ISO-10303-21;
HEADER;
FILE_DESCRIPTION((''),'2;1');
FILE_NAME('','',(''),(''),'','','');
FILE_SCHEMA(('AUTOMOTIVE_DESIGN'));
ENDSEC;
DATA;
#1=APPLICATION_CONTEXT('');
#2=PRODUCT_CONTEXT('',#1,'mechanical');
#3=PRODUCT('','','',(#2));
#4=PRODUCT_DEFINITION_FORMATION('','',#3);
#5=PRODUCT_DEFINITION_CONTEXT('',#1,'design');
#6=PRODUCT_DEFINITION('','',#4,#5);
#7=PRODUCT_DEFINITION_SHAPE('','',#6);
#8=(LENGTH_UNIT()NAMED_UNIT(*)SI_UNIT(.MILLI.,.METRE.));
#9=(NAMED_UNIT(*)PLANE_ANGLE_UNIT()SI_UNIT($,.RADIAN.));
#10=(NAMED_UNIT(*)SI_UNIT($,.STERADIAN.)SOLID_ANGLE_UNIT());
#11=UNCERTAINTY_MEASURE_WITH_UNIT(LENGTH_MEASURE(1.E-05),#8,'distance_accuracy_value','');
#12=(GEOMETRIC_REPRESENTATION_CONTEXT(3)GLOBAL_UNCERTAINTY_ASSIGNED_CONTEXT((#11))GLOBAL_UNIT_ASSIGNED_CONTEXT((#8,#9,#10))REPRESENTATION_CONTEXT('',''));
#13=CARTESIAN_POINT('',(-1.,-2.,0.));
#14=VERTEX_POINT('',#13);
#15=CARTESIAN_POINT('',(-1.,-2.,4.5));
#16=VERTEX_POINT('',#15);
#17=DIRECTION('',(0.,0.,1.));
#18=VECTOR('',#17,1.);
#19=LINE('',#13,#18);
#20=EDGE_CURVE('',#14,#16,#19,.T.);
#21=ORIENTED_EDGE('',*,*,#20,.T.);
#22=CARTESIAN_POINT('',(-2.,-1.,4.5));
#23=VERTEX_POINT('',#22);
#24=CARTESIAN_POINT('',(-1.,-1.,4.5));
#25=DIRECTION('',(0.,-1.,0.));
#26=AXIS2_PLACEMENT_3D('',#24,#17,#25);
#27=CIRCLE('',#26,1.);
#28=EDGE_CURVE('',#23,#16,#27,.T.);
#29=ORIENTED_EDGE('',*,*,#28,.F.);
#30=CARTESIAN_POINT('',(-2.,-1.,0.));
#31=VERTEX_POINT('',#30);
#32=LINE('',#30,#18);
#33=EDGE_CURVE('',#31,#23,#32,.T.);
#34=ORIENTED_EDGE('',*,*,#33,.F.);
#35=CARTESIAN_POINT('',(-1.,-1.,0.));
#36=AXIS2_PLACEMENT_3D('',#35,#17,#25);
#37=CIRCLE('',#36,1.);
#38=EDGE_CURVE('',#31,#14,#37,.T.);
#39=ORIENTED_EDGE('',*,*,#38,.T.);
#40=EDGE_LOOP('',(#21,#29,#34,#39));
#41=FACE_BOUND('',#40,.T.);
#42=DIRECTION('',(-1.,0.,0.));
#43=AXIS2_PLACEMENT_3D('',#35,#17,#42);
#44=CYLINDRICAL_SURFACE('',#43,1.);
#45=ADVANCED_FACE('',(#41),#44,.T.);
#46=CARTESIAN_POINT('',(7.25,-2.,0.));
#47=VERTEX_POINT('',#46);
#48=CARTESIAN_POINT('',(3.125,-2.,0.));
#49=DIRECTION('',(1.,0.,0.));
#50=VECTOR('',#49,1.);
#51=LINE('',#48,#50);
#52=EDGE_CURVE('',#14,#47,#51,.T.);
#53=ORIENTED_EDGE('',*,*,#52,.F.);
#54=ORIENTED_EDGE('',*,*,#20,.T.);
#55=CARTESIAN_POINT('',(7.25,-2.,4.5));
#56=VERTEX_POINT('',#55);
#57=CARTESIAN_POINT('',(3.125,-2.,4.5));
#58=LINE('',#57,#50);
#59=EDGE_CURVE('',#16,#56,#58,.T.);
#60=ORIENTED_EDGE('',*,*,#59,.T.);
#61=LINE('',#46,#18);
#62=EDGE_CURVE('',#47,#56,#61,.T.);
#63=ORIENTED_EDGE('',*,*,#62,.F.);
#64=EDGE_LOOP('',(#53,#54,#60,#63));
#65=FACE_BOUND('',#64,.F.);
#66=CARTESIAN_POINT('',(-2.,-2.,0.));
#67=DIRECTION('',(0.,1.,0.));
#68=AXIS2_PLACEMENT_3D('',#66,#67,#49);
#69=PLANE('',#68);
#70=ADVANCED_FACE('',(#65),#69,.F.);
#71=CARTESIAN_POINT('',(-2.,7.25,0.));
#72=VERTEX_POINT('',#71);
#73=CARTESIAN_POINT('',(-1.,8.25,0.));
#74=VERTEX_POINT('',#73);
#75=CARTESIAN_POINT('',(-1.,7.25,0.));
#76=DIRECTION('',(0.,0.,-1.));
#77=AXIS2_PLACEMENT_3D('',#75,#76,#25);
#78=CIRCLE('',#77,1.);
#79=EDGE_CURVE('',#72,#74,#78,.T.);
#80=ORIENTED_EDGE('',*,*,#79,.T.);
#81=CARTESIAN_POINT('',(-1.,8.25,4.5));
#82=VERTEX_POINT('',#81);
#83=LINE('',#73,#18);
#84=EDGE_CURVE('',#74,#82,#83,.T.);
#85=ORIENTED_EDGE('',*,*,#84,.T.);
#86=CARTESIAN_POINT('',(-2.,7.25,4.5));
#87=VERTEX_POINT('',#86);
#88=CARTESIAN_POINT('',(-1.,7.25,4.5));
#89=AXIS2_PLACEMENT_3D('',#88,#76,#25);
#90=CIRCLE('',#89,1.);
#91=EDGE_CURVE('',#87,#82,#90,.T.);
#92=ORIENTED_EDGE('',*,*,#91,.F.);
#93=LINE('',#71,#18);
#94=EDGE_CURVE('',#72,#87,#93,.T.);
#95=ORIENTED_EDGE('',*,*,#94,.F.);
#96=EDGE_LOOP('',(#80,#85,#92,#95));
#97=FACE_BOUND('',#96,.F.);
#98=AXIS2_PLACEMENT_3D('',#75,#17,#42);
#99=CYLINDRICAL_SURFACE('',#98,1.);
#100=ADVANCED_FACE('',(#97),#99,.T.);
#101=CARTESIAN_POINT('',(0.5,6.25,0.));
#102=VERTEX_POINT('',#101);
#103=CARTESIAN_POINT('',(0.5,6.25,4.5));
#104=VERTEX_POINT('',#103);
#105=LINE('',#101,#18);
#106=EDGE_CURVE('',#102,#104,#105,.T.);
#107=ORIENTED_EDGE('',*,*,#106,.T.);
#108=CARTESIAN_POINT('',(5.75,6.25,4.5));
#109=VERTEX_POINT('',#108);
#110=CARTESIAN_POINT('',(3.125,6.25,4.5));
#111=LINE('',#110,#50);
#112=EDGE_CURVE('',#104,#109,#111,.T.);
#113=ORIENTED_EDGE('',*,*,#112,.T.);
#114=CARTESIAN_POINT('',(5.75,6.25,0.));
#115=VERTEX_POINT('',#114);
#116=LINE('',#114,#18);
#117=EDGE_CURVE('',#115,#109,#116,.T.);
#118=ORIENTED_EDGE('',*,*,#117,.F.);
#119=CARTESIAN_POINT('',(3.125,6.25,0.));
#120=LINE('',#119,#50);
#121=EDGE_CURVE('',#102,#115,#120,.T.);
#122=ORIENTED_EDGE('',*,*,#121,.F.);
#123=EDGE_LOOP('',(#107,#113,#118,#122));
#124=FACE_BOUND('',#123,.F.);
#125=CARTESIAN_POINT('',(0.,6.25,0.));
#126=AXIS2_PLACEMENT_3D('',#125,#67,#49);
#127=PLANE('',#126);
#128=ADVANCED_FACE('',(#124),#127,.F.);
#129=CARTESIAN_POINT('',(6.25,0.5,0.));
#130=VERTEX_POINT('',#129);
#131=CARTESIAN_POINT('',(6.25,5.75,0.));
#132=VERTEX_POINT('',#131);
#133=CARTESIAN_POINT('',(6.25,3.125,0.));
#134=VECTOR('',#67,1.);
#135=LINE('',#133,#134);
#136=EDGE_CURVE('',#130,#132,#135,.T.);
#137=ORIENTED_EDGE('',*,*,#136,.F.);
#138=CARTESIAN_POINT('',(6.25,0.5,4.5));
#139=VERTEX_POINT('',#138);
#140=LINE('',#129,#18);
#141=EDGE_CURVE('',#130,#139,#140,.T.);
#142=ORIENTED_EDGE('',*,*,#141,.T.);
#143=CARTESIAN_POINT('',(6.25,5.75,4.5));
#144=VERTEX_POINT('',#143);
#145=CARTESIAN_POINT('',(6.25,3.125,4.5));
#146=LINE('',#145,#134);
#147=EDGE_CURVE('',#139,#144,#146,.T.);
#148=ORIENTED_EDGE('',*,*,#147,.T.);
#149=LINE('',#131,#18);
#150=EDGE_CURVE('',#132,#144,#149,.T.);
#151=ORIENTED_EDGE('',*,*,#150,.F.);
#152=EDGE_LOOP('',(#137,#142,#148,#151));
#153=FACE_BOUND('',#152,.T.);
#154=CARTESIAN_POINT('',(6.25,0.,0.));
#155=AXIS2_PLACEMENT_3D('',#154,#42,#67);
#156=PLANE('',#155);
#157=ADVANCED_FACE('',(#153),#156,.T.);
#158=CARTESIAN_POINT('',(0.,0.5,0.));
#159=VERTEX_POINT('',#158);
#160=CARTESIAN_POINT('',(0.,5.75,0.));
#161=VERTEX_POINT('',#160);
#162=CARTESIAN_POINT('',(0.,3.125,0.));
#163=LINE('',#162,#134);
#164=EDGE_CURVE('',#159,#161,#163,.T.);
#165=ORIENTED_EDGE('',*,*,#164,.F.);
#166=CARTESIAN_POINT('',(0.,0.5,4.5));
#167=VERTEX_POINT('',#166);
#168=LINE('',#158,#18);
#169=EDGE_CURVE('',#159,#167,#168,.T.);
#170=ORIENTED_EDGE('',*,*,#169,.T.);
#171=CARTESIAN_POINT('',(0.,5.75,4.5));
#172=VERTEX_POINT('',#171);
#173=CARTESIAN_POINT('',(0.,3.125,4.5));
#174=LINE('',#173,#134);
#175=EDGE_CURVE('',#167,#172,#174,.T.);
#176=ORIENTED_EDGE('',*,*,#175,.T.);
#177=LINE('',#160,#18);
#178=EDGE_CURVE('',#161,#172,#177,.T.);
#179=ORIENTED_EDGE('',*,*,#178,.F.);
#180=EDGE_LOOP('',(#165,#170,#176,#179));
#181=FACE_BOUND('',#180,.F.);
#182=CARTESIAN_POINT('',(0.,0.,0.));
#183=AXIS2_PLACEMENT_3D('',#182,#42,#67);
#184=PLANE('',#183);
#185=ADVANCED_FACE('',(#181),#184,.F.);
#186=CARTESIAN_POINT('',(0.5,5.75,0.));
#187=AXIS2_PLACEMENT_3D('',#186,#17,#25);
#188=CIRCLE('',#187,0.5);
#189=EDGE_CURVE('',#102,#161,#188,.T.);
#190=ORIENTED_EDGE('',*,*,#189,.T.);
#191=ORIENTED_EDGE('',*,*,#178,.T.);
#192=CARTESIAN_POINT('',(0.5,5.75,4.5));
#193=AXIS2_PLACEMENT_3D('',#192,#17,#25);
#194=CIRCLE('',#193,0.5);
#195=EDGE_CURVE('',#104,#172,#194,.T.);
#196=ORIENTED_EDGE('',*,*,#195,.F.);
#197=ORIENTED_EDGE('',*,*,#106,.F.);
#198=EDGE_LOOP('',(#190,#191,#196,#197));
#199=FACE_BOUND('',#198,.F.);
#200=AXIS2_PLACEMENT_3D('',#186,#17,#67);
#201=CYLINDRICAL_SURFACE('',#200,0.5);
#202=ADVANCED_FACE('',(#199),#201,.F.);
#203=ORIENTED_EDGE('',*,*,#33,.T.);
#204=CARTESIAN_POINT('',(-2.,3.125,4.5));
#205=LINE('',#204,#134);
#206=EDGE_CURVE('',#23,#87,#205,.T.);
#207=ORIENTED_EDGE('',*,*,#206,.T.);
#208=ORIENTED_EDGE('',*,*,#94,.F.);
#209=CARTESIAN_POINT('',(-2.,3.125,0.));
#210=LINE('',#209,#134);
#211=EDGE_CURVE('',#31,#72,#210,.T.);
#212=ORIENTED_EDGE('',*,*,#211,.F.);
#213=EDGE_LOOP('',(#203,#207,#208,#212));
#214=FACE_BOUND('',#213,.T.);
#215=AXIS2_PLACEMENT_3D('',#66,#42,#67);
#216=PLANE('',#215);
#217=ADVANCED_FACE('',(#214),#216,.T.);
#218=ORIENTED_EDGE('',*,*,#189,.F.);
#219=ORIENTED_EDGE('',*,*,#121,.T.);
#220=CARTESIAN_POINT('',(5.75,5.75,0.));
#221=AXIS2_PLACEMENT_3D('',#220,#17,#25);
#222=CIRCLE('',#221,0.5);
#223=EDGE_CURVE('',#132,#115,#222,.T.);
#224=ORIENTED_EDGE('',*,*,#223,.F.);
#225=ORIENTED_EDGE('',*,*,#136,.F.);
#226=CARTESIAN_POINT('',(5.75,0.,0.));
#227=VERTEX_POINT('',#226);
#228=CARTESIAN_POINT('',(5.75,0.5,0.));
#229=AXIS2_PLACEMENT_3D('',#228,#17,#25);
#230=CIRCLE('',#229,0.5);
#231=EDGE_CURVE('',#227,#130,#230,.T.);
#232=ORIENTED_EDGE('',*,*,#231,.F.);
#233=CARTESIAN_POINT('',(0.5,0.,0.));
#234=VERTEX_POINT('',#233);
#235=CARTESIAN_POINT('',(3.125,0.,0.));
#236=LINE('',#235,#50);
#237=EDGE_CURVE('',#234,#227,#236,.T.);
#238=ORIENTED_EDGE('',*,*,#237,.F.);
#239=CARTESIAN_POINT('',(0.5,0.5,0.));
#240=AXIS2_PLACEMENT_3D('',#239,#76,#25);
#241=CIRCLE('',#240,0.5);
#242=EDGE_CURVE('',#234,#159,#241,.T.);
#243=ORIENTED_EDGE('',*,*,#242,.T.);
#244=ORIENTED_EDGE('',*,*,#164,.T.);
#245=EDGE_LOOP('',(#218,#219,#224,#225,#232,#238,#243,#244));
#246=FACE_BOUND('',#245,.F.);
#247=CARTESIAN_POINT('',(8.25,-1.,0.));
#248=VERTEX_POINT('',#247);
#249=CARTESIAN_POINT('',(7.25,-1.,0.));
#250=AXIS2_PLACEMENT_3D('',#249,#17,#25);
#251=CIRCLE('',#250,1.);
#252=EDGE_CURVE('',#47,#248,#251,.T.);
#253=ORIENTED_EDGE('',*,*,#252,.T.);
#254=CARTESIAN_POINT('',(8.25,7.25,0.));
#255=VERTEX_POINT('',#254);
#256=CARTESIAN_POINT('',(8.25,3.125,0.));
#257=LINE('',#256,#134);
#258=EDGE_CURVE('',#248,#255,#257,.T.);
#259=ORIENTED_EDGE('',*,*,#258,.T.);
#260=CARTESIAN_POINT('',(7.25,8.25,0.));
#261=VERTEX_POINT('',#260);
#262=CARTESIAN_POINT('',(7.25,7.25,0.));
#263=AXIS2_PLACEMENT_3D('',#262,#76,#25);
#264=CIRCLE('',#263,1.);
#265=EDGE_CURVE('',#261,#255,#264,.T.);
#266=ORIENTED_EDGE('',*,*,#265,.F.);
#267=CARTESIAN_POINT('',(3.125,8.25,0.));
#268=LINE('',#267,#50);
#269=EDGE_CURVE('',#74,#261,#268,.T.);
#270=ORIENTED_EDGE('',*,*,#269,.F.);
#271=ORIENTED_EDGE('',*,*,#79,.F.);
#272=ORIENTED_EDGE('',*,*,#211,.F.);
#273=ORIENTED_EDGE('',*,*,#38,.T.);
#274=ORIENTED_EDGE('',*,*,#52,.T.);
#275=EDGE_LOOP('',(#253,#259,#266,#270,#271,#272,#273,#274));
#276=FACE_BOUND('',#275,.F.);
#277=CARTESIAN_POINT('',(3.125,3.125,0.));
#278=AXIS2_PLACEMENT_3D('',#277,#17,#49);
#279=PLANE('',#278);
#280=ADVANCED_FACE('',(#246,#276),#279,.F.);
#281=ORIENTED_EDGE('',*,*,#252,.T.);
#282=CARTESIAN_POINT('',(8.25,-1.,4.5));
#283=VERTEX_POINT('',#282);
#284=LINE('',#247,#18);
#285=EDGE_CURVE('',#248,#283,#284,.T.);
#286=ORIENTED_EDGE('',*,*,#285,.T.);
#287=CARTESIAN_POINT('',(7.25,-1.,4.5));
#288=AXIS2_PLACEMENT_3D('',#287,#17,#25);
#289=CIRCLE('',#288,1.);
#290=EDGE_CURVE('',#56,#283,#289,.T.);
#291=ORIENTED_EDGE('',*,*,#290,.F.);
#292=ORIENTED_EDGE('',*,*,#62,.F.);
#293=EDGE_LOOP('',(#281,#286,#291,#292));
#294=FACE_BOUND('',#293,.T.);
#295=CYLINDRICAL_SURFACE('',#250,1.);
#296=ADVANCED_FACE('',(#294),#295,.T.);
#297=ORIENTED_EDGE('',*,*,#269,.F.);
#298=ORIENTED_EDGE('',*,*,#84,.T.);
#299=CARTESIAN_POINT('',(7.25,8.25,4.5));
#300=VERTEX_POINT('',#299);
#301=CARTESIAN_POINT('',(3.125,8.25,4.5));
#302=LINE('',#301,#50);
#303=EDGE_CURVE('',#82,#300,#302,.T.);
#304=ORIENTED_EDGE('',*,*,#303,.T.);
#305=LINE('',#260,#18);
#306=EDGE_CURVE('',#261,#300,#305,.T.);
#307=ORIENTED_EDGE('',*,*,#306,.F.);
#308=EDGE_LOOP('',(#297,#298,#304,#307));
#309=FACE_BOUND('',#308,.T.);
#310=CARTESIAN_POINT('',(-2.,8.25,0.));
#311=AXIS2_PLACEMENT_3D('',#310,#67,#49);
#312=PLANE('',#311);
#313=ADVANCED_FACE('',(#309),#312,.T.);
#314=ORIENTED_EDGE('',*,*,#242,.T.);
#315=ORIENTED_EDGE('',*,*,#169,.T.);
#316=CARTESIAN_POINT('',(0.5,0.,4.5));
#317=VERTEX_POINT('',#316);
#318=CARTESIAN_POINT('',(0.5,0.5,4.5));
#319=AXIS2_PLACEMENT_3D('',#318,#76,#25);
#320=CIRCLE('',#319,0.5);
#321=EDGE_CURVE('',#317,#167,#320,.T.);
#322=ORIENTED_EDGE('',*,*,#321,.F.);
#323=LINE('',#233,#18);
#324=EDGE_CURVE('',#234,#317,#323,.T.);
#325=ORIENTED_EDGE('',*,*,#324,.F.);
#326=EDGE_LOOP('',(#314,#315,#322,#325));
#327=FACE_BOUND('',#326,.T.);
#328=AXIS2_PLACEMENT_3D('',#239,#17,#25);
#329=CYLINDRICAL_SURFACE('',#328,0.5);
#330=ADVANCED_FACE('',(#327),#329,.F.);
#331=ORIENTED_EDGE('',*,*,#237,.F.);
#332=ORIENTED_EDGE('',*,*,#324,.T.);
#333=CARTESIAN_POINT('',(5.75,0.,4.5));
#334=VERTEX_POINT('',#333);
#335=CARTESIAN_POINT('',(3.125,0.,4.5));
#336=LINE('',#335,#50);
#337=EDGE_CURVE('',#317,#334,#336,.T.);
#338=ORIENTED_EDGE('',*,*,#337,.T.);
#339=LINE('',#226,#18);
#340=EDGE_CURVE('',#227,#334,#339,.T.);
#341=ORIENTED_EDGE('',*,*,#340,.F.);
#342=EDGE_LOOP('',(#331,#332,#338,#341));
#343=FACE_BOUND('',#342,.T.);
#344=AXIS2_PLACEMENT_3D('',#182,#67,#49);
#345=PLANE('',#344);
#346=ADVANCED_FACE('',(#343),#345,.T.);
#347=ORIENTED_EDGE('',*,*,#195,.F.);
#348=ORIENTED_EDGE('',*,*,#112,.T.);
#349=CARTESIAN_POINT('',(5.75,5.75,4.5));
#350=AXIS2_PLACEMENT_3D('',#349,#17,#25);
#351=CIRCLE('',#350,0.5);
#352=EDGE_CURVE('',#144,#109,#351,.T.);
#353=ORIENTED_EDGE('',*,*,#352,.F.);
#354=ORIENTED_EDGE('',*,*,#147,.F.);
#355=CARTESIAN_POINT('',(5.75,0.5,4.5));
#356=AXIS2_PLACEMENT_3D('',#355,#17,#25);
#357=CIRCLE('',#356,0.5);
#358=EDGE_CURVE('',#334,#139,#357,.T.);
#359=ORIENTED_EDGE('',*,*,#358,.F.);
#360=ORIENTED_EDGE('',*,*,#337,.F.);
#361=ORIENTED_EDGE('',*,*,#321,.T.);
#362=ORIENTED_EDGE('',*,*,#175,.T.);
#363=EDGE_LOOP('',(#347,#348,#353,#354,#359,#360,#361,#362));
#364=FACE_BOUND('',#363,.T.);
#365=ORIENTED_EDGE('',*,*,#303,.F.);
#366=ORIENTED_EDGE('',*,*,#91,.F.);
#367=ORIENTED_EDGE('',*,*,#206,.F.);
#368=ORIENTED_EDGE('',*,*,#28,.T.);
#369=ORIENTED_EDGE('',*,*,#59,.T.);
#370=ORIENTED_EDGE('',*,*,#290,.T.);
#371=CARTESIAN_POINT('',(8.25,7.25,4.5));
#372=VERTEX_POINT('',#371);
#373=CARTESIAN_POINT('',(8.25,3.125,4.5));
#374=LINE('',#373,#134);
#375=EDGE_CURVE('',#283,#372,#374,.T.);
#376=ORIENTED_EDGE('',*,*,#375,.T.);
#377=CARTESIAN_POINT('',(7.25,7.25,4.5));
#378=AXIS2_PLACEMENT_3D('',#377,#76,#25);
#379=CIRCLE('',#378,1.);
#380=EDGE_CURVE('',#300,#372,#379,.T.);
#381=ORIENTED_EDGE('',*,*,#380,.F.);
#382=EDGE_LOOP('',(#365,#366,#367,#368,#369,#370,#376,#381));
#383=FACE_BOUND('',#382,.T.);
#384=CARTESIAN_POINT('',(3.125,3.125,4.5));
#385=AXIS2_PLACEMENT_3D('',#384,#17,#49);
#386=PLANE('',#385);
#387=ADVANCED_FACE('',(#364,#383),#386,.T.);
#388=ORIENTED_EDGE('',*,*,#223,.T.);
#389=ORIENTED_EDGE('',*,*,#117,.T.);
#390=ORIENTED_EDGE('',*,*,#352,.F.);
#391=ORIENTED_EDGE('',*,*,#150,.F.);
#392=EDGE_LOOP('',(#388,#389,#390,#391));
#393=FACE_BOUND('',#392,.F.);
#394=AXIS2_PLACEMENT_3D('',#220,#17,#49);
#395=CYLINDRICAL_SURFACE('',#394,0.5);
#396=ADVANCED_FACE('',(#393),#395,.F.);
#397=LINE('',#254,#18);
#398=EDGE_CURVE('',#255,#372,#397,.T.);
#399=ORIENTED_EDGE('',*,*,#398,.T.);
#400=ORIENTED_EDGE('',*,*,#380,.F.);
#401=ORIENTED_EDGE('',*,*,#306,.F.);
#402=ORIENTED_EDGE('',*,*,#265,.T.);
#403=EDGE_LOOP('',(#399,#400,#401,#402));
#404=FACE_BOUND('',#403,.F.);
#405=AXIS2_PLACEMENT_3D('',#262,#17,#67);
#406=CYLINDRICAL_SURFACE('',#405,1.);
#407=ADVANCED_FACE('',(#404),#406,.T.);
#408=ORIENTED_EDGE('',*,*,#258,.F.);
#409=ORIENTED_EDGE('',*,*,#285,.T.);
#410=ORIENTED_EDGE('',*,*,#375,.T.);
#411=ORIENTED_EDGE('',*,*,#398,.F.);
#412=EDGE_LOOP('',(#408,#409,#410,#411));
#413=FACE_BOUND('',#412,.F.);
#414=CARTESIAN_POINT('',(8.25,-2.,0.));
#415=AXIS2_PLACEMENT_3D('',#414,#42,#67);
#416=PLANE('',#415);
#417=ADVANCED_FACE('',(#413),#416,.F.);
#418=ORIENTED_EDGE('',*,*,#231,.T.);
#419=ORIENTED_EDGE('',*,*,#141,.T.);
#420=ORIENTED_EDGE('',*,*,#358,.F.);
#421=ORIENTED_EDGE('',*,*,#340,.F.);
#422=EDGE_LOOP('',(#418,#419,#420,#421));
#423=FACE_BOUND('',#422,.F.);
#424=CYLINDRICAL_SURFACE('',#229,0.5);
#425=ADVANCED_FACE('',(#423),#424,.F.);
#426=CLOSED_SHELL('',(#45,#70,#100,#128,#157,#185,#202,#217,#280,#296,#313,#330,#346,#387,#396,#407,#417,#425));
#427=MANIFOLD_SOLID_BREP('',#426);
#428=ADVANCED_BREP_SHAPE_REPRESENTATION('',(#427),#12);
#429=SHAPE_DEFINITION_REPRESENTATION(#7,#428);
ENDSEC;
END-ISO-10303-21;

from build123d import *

# Parameters (mm, degrees)
F0_W     = 10.25
F0_H     = 10.25
F0_W_2   = 6.25
F0_H_2   = 6.25
F1_DEPTH = 4.5
F2_R     = 1
F3_R     = 0.5


with BuildPart() as f1:
    # F0 (on Top) → F1 (new body)
    with BuildSketch(Plane.XY):
        with Locations((3.125, 3.125)):
            Rectangle(F0_W, F0_H)
        with Locations((3.125, 3.125)):
            Rectangle(F0_W_2, F0_H_2, mode=Mode.SUBTRACT)
    extrude(amount=F1_DEPTH)

    # F2
    f2_edges = [f1.edges().sort_by_distance(p)[0] for p in [
        (-2, -2, 2.25),
        (8.25, -2, 2.25),
        (8.25, 8.25, 2.25),
        (-2, 8.25, 2.25),
    ]]
    fillet(f2_edges, radius=F2_R)

    # F3
    f3_edges = [f1.edges().sort_by_distance(p)[0] for p in [
        (0, 6.25, 2.25),
        (6.25, 6.25, 2.25),
        (0, 0, 2.25),
        (6.25, 0, 2.25),
    ]]
    fillet(f3_edges, radius=F3_R)


solid = f1.part
